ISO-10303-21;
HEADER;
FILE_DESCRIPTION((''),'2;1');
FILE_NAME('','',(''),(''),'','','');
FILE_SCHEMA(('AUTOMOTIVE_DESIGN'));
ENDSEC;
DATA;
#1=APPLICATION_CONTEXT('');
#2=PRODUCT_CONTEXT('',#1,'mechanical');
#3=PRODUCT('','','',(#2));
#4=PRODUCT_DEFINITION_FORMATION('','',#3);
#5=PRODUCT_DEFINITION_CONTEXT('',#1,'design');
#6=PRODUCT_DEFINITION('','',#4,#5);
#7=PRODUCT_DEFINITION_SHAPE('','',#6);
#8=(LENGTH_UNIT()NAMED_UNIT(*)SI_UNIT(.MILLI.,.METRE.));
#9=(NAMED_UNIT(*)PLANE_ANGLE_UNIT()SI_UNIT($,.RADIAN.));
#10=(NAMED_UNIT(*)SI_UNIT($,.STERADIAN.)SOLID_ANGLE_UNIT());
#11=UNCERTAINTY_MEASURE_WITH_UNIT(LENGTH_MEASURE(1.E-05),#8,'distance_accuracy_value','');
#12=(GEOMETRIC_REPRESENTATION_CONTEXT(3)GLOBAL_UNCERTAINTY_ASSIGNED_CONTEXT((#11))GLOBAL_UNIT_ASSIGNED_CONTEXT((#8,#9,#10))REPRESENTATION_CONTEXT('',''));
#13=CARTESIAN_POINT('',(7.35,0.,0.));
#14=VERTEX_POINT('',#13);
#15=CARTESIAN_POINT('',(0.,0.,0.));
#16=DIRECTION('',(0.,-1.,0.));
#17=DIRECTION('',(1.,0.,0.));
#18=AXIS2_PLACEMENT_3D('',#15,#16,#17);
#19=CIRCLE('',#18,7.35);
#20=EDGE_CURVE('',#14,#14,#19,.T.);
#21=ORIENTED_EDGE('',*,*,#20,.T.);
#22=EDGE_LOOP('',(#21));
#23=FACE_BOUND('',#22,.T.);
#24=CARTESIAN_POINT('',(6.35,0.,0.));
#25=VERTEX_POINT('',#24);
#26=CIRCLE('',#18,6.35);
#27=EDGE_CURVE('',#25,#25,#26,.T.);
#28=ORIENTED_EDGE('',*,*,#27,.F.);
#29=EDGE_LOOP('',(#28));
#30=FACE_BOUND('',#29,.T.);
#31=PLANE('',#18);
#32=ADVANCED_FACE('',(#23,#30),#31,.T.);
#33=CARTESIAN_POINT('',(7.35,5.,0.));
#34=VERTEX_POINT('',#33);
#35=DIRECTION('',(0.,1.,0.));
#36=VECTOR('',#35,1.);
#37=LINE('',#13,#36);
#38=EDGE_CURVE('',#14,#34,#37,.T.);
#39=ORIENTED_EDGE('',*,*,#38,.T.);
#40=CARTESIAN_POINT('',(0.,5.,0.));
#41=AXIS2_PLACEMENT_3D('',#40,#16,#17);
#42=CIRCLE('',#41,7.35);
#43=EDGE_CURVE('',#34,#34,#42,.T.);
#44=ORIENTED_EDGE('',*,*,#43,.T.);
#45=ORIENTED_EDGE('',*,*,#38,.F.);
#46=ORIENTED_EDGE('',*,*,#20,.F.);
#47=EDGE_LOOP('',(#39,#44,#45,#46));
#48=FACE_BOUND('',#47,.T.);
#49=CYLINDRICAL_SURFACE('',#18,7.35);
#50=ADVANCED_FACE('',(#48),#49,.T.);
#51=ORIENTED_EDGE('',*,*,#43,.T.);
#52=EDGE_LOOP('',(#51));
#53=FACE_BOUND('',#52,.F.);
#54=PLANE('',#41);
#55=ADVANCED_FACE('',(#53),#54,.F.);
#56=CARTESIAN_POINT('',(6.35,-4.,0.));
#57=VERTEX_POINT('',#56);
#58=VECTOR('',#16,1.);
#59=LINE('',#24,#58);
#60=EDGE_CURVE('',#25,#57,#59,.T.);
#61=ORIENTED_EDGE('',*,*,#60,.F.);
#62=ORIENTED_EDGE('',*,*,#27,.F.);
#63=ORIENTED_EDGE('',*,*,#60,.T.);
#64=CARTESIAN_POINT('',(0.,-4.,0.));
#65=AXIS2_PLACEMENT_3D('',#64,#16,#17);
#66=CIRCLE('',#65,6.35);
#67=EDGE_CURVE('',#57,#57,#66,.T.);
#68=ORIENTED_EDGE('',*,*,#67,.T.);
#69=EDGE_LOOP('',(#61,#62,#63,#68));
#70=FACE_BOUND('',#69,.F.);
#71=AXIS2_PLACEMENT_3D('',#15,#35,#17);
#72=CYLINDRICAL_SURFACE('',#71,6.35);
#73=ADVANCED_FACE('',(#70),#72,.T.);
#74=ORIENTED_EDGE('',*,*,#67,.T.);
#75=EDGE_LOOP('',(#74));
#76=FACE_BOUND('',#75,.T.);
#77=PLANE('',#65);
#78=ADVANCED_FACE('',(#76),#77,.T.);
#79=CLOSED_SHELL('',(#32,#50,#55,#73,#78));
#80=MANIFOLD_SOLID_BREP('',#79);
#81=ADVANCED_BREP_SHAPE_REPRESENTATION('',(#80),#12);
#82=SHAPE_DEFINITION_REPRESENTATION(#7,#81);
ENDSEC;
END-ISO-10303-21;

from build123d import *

# Parameters (mm, degrees)
F0_R     = 6.35
F1_DEPTH = 4
F2_R     = 7.35
F3_DEPTH = 5


with BuildPart() as f1:
    # F0 (on Front) → F1 (new body)
    with BuildSketch(Plane.XZ):
        Circle(F0_R)
    extrude(amount=F1_DEPTH)

    # F2 (on Front) → F3 (join)
    with BuildSketch(Plane.XZ):
        Circle(F2_R)
    extrude(amount=-F3_DEPTH)


solid = f1.part
